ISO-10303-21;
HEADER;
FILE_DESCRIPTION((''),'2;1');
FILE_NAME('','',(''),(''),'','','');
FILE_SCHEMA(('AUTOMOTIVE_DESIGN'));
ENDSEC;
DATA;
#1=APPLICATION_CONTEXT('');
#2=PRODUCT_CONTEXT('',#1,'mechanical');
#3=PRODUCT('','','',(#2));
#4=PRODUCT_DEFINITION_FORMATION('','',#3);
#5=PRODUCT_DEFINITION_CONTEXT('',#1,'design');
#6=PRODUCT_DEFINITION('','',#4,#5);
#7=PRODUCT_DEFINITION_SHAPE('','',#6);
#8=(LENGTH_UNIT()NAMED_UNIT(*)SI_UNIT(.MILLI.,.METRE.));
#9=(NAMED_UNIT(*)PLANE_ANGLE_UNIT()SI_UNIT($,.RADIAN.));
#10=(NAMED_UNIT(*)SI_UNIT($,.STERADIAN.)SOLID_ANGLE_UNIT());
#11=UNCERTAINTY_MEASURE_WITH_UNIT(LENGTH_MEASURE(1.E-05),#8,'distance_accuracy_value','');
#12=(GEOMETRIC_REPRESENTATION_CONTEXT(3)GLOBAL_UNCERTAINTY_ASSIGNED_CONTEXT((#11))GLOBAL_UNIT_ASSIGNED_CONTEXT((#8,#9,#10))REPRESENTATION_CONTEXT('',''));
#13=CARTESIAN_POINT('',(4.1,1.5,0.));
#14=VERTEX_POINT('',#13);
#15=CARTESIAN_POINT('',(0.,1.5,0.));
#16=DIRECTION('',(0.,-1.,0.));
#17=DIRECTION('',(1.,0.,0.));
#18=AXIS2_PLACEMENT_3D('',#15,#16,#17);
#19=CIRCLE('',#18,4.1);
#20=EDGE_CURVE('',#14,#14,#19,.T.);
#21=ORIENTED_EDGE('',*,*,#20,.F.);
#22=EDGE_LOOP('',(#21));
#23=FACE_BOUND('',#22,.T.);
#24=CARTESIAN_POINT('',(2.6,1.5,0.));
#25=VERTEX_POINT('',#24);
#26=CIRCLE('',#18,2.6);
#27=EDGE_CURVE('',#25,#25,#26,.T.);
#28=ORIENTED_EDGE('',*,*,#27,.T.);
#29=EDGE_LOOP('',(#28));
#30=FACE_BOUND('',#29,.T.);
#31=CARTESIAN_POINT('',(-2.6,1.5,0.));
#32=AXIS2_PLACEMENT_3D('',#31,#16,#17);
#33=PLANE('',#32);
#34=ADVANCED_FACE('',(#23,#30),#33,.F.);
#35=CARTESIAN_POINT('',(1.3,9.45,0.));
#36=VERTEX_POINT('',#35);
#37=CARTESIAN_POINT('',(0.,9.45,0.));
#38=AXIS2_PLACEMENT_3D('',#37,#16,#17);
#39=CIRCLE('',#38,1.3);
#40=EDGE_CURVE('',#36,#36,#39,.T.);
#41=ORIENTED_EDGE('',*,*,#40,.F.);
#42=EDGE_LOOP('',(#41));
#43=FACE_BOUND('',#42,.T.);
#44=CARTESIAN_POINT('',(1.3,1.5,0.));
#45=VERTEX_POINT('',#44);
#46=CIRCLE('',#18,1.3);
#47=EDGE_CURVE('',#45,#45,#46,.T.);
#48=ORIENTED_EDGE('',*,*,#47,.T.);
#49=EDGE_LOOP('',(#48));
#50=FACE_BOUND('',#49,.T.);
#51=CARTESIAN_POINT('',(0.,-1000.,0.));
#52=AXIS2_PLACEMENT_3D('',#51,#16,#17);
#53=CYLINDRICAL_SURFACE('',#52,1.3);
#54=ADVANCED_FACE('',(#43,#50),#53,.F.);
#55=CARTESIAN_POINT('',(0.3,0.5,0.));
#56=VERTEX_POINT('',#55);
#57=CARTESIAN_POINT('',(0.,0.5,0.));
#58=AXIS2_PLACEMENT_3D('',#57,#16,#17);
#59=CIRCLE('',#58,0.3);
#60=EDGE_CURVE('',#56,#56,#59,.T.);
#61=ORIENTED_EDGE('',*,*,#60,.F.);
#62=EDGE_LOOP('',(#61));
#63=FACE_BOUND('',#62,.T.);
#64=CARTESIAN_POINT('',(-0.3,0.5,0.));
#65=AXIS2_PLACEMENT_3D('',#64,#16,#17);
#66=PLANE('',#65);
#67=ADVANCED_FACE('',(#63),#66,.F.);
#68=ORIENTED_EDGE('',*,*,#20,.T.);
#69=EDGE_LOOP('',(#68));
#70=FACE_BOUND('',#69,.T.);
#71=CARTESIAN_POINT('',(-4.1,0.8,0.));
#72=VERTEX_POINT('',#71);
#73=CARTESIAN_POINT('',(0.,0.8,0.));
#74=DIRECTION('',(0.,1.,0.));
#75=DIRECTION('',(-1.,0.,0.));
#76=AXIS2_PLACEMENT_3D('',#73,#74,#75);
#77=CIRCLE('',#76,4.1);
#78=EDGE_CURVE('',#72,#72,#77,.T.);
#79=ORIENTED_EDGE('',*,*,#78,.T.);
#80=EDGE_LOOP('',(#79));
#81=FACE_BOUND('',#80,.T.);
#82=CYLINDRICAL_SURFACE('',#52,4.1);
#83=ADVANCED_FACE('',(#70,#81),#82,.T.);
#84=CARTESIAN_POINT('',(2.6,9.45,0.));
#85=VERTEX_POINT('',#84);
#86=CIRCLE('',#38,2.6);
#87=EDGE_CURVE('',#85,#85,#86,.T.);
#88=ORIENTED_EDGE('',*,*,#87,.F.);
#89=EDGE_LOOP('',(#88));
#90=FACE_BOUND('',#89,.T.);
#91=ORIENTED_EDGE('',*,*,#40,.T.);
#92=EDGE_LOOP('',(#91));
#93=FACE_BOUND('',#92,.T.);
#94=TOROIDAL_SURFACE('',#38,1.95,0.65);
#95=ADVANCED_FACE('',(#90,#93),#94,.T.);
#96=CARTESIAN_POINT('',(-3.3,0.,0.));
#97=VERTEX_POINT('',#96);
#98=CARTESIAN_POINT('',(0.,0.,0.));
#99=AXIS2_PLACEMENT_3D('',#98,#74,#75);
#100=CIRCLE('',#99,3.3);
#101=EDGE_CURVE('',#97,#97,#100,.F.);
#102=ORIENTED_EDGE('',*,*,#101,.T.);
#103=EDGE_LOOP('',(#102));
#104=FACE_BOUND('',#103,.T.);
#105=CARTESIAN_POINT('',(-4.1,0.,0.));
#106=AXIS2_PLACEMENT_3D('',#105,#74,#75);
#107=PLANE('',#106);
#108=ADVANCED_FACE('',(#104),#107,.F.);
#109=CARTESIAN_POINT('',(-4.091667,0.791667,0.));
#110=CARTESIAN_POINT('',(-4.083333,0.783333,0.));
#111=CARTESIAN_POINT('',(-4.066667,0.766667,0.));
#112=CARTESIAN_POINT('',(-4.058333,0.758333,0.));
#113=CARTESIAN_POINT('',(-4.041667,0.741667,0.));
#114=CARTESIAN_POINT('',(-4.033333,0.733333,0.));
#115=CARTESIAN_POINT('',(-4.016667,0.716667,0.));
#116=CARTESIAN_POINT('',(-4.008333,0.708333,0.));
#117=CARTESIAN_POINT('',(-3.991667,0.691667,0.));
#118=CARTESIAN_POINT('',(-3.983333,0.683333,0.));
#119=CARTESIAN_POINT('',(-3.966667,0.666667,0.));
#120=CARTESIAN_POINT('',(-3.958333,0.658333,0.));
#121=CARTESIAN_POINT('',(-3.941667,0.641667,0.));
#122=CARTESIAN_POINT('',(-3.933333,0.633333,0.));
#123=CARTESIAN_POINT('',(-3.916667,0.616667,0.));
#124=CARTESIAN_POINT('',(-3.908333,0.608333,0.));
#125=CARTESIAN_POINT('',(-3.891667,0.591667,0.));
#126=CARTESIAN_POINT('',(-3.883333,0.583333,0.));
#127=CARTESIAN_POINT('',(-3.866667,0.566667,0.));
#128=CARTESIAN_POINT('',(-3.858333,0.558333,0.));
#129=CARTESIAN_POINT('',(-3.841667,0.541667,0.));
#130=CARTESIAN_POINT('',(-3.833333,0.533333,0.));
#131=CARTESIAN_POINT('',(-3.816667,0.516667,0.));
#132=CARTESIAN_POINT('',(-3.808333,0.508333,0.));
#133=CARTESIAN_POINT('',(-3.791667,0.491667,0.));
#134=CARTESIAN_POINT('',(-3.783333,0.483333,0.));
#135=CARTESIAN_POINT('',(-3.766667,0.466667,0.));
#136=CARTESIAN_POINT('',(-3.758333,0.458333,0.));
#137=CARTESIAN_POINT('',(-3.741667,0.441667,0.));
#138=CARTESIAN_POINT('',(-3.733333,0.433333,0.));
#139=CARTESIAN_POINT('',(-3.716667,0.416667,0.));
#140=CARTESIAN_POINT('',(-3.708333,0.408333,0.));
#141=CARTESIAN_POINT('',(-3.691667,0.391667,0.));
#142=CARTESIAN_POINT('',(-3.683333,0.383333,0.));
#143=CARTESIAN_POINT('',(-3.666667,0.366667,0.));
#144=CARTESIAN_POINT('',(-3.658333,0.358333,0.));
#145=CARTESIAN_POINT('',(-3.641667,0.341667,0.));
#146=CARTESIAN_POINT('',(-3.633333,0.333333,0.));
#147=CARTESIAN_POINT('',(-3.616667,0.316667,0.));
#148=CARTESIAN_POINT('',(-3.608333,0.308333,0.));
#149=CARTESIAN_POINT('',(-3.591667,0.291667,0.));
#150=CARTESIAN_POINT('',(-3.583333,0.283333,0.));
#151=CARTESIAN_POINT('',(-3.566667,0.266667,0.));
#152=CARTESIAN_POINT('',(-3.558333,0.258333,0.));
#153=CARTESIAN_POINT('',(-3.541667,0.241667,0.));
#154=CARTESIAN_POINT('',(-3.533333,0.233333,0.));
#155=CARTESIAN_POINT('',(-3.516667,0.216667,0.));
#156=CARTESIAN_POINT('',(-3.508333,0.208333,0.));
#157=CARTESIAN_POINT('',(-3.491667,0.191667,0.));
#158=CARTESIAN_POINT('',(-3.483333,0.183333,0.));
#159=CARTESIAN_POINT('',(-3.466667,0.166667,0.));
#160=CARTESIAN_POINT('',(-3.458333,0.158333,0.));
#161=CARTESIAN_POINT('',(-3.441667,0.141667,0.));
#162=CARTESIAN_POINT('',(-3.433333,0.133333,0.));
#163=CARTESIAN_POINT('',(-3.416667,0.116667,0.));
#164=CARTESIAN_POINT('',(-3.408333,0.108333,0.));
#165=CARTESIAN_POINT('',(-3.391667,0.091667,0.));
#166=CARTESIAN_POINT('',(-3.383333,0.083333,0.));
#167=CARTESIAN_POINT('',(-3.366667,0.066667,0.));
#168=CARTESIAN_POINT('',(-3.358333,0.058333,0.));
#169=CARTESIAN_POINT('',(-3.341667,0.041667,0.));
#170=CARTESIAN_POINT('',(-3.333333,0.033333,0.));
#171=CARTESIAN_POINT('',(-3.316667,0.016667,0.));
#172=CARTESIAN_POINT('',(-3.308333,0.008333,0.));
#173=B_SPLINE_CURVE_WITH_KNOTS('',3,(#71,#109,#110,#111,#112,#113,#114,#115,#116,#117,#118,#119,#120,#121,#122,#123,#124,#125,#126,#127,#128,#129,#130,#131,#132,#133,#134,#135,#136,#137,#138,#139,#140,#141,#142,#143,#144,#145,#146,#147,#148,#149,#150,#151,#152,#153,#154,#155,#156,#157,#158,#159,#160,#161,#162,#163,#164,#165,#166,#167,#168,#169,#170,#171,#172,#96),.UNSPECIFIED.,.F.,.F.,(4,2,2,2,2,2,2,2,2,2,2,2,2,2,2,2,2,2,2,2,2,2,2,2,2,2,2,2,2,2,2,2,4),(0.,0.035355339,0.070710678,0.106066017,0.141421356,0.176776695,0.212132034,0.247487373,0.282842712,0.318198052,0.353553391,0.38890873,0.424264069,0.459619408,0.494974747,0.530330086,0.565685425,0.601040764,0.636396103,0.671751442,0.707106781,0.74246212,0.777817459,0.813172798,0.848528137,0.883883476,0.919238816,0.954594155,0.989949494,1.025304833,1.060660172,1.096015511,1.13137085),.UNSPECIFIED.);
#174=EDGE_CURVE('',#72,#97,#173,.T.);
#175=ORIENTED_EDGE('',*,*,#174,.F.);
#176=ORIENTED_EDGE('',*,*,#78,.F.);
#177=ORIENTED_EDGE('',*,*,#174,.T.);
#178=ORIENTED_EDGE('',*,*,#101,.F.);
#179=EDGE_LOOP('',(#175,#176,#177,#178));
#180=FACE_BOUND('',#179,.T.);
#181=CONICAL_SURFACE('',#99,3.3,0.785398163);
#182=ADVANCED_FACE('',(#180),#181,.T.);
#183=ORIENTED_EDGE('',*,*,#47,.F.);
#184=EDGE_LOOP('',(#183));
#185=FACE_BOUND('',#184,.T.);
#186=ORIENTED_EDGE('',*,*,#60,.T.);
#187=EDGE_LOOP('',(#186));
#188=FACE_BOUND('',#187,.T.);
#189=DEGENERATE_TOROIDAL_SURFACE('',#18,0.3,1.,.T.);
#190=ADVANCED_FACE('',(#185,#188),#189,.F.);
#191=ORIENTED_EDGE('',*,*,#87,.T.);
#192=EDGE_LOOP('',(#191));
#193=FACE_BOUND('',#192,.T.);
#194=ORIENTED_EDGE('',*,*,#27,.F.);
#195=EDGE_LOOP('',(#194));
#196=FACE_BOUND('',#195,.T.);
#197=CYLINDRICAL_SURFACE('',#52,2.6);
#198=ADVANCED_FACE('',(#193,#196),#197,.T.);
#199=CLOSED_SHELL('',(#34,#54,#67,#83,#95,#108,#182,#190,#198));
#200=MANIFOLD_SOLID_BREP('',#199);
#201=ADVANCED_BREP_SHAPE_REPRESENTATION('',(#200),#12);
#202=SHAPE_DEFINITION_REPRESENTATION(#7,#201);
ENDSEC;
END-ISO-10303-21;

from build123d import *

# Parameters (mm, degrees)
CHAMFER1_SIZE = 0.8


with BuildPart() as part:
    # Sketch1 → Revolve1 (revolve)
    with BuildSketch(Plane.XY, mode=Mode.PRIVATE) as revolve1_sk:
        with BuildLine():
            Line((0, 0), (0, 0.5))
            Line((0, 0.5), (-0.3, 0.5))
            ThreePointArc((-0.3, 0.5), (-1.007106781, 0.792893219), (-1.3, 1.5))
            Line((-1.3, 1.5), (-1.3, 9.45))
            ThreePointArc((-1.3, 9.45), (-1.95, 10.1), (-2.6, 9.45))
            Line((-2.6, 9.45), (-2.6, 1.5))
            Line((-2.6, 1.5), (-4.1, 1.5))
            Line((-4.1, 1.5), (-4.1, 0))
            Line((-4.1, 0), (0, 0))
        make_face()
    revolve(revolve1_sk.sketch.rotate(Axis((0, -1000, 0), (0, 1, 0)), 180), axis=Axis((0, -1000, 0), (0, 1, 0)))

    # Chamfer1
    chamfer1_edges = [part.edges().sort_by_distance(p)[0] for p in [
        (-4.1, 0, 0),
    ]]
    chamfer(chamfer1_edges, length=CHAMFER1_SIZE)


solid = part.part
